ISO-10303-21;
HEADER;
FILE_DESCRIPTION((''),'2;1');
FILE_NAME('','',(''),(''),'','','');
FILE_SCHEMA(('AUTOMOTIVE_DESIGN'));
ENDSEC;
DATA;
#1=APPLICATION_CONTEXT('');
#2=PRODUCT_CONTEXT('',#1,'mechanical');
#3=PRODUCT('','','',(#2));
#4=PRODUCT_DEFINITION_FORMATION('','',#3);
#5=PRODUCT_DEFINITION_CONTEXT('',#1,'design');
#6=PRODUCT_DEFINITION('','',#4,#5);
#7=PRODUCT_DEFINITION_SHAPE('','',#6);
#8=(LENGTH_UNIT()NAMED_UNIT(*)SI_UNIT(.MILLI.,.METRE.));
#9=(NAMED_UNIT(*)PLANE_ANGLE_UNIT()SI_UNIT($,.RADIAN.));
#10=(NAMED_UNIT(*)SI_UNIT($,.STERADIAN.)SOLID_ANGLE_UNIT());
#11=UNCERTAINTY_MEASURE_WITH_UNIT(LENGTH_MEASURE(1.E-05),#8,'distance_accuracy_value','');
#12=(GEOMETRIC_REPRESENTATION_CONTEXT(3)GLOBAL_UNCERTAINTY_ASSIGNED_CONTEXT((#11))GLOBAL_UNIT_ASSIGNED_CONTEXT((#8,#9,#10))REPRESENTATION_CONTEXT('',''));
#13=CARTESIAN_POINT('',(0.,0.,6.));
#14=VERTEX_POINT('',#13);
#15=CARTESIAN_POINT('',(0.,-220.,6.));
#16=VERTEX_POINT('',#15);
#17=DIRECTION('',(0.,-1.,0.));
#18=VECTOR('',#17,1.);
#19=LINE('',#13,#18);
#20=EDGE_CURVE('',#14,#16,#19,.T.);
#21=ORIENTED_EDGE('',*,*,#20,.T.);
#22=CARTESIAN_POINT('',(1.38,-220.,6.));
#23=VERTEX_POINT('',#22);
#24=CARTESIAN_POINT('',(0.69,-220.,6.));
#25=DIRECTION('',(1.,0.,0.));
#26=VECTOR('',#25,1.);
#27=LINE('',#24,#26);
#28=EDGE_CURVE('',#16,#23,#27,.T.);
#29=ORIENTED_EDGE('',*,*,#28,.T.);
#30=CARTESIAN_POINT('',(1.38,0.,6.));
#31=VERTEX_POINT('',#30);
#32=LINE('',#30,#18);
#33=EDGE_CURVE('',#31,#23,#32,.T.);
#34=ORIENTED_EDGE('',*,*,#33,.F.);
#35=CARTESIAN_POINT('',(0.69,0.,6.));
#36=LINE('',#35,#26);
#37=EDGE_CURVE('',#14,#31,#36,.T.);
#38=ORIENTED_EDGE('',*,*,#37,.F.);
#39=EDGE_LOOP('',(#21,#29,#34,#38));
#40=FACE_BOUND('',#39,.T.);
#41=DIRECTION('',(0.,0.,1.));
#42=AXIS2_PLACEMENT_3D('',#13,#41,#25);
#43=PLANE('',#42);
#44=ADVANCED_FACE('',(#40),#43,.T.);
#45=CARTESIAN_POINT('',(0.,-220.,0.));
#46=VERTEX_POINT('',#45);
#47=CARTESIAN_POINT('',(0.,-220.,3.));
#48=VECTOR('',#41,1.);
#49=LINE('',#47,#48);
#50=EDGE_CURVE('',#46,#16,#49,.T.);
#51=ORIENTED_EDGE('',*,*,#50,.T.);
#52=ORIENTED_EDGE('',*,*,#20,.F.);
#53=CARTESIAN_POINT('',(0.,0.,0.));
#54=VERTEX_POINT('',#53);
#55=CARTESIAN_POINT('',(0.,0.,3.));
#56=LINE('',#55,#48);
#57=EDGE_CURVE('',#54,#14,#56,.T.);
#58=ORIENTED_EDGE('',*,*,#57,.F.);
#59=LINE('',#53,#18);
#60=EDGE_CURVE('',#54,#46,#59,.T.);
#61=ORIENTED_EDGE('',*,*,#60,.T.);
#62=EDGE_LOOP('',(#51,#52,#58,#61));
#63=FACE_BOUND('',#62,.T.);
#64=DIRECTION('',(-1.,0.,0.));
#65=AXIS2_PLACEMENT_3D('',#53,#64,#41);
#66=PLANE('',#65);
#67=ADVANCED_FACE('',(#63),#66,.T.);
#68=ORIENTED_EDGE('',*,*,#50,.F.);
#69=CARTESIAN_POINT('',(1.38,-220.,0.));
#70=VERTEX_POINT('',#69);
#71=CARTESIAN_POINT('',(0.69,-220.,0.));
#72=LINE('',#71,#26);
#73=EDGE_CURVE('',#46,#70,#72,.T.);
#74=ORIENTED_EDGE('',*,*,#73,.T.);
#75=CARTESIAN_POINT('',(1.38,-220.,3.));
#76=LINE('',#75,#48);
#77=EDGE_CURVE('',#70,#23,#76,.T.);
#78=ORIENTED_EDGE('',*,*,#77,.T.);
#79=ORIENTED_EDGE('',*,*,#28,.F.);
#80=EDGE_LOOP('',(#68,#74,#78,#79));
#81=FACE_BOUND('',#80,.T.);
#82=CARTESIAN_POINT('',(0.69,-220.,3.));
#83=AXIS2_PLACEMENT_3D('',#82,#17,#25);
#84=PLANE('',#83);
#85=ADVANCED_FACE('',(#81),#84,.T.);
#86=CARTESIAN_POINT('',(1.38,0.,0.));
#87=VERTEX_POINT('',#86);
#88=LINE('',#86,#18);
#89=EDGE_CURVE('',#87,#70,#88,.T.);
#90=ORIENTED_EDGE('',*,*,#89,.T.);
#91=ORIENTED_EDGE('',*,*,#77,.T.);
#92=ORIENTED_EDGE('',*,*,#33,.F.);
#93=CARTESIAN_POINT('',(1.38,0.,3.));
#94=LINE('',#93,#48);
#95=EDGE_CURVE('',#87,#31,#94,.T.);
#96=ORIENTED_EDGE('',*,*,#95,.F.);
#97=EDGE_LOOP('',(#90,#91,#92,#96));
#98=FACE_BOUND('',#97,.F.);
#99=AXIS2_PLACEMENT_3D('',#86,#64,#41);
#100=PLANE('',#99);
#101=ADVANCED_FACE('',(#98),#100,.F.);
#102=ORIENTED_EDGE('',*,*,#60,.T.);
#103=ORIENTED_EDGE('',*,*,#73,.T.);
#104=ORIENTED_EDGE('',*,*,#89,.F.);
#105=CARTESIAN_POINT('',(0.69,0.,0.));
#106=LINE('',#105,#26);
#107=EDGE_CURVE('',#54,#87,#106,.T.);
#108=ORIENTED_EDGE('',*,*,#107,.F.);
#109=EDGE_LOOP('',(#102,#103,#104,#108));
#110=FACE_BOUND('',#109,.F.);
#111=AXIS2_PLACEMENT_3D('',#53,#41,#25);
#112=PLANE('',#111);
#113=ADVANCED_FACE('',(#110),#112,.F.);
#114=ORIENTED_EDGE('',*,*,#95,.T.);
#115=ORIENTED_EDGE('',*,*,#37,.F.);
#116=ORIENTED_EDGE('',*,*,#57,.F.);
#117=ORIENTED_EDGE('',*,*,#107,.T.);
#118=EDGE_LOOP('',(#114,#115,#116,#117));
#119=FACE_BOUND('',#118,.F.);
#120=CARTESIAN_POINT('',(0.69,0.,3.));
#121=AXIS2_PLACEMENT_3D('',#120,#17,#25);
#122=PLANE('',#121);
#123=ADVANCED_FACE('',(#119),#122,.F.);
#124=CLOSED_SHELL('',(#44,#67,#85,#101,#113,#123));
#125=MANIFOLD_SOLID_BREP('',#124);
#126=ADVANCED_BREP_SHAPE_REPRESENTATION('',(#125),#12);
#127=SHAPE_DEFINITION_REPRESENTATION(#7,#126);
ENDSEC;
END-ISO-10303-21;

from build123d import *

# Parameters (mm, degrees)
SKETCH005_W  = 1.38
SKETCH005_H  = 6
PAD001_DEPTH = 220


with BuildPart() as part:
    # Sketch005 → Pad001 (new body)
    with BuildSketch(Plane.XZ):
        with Locations((0.69, 3)):
            Rectangle(SKETCH005_W, SKETCH005_H)
    extrude(amount=PAD001_DEPTH)


solid = part.part
